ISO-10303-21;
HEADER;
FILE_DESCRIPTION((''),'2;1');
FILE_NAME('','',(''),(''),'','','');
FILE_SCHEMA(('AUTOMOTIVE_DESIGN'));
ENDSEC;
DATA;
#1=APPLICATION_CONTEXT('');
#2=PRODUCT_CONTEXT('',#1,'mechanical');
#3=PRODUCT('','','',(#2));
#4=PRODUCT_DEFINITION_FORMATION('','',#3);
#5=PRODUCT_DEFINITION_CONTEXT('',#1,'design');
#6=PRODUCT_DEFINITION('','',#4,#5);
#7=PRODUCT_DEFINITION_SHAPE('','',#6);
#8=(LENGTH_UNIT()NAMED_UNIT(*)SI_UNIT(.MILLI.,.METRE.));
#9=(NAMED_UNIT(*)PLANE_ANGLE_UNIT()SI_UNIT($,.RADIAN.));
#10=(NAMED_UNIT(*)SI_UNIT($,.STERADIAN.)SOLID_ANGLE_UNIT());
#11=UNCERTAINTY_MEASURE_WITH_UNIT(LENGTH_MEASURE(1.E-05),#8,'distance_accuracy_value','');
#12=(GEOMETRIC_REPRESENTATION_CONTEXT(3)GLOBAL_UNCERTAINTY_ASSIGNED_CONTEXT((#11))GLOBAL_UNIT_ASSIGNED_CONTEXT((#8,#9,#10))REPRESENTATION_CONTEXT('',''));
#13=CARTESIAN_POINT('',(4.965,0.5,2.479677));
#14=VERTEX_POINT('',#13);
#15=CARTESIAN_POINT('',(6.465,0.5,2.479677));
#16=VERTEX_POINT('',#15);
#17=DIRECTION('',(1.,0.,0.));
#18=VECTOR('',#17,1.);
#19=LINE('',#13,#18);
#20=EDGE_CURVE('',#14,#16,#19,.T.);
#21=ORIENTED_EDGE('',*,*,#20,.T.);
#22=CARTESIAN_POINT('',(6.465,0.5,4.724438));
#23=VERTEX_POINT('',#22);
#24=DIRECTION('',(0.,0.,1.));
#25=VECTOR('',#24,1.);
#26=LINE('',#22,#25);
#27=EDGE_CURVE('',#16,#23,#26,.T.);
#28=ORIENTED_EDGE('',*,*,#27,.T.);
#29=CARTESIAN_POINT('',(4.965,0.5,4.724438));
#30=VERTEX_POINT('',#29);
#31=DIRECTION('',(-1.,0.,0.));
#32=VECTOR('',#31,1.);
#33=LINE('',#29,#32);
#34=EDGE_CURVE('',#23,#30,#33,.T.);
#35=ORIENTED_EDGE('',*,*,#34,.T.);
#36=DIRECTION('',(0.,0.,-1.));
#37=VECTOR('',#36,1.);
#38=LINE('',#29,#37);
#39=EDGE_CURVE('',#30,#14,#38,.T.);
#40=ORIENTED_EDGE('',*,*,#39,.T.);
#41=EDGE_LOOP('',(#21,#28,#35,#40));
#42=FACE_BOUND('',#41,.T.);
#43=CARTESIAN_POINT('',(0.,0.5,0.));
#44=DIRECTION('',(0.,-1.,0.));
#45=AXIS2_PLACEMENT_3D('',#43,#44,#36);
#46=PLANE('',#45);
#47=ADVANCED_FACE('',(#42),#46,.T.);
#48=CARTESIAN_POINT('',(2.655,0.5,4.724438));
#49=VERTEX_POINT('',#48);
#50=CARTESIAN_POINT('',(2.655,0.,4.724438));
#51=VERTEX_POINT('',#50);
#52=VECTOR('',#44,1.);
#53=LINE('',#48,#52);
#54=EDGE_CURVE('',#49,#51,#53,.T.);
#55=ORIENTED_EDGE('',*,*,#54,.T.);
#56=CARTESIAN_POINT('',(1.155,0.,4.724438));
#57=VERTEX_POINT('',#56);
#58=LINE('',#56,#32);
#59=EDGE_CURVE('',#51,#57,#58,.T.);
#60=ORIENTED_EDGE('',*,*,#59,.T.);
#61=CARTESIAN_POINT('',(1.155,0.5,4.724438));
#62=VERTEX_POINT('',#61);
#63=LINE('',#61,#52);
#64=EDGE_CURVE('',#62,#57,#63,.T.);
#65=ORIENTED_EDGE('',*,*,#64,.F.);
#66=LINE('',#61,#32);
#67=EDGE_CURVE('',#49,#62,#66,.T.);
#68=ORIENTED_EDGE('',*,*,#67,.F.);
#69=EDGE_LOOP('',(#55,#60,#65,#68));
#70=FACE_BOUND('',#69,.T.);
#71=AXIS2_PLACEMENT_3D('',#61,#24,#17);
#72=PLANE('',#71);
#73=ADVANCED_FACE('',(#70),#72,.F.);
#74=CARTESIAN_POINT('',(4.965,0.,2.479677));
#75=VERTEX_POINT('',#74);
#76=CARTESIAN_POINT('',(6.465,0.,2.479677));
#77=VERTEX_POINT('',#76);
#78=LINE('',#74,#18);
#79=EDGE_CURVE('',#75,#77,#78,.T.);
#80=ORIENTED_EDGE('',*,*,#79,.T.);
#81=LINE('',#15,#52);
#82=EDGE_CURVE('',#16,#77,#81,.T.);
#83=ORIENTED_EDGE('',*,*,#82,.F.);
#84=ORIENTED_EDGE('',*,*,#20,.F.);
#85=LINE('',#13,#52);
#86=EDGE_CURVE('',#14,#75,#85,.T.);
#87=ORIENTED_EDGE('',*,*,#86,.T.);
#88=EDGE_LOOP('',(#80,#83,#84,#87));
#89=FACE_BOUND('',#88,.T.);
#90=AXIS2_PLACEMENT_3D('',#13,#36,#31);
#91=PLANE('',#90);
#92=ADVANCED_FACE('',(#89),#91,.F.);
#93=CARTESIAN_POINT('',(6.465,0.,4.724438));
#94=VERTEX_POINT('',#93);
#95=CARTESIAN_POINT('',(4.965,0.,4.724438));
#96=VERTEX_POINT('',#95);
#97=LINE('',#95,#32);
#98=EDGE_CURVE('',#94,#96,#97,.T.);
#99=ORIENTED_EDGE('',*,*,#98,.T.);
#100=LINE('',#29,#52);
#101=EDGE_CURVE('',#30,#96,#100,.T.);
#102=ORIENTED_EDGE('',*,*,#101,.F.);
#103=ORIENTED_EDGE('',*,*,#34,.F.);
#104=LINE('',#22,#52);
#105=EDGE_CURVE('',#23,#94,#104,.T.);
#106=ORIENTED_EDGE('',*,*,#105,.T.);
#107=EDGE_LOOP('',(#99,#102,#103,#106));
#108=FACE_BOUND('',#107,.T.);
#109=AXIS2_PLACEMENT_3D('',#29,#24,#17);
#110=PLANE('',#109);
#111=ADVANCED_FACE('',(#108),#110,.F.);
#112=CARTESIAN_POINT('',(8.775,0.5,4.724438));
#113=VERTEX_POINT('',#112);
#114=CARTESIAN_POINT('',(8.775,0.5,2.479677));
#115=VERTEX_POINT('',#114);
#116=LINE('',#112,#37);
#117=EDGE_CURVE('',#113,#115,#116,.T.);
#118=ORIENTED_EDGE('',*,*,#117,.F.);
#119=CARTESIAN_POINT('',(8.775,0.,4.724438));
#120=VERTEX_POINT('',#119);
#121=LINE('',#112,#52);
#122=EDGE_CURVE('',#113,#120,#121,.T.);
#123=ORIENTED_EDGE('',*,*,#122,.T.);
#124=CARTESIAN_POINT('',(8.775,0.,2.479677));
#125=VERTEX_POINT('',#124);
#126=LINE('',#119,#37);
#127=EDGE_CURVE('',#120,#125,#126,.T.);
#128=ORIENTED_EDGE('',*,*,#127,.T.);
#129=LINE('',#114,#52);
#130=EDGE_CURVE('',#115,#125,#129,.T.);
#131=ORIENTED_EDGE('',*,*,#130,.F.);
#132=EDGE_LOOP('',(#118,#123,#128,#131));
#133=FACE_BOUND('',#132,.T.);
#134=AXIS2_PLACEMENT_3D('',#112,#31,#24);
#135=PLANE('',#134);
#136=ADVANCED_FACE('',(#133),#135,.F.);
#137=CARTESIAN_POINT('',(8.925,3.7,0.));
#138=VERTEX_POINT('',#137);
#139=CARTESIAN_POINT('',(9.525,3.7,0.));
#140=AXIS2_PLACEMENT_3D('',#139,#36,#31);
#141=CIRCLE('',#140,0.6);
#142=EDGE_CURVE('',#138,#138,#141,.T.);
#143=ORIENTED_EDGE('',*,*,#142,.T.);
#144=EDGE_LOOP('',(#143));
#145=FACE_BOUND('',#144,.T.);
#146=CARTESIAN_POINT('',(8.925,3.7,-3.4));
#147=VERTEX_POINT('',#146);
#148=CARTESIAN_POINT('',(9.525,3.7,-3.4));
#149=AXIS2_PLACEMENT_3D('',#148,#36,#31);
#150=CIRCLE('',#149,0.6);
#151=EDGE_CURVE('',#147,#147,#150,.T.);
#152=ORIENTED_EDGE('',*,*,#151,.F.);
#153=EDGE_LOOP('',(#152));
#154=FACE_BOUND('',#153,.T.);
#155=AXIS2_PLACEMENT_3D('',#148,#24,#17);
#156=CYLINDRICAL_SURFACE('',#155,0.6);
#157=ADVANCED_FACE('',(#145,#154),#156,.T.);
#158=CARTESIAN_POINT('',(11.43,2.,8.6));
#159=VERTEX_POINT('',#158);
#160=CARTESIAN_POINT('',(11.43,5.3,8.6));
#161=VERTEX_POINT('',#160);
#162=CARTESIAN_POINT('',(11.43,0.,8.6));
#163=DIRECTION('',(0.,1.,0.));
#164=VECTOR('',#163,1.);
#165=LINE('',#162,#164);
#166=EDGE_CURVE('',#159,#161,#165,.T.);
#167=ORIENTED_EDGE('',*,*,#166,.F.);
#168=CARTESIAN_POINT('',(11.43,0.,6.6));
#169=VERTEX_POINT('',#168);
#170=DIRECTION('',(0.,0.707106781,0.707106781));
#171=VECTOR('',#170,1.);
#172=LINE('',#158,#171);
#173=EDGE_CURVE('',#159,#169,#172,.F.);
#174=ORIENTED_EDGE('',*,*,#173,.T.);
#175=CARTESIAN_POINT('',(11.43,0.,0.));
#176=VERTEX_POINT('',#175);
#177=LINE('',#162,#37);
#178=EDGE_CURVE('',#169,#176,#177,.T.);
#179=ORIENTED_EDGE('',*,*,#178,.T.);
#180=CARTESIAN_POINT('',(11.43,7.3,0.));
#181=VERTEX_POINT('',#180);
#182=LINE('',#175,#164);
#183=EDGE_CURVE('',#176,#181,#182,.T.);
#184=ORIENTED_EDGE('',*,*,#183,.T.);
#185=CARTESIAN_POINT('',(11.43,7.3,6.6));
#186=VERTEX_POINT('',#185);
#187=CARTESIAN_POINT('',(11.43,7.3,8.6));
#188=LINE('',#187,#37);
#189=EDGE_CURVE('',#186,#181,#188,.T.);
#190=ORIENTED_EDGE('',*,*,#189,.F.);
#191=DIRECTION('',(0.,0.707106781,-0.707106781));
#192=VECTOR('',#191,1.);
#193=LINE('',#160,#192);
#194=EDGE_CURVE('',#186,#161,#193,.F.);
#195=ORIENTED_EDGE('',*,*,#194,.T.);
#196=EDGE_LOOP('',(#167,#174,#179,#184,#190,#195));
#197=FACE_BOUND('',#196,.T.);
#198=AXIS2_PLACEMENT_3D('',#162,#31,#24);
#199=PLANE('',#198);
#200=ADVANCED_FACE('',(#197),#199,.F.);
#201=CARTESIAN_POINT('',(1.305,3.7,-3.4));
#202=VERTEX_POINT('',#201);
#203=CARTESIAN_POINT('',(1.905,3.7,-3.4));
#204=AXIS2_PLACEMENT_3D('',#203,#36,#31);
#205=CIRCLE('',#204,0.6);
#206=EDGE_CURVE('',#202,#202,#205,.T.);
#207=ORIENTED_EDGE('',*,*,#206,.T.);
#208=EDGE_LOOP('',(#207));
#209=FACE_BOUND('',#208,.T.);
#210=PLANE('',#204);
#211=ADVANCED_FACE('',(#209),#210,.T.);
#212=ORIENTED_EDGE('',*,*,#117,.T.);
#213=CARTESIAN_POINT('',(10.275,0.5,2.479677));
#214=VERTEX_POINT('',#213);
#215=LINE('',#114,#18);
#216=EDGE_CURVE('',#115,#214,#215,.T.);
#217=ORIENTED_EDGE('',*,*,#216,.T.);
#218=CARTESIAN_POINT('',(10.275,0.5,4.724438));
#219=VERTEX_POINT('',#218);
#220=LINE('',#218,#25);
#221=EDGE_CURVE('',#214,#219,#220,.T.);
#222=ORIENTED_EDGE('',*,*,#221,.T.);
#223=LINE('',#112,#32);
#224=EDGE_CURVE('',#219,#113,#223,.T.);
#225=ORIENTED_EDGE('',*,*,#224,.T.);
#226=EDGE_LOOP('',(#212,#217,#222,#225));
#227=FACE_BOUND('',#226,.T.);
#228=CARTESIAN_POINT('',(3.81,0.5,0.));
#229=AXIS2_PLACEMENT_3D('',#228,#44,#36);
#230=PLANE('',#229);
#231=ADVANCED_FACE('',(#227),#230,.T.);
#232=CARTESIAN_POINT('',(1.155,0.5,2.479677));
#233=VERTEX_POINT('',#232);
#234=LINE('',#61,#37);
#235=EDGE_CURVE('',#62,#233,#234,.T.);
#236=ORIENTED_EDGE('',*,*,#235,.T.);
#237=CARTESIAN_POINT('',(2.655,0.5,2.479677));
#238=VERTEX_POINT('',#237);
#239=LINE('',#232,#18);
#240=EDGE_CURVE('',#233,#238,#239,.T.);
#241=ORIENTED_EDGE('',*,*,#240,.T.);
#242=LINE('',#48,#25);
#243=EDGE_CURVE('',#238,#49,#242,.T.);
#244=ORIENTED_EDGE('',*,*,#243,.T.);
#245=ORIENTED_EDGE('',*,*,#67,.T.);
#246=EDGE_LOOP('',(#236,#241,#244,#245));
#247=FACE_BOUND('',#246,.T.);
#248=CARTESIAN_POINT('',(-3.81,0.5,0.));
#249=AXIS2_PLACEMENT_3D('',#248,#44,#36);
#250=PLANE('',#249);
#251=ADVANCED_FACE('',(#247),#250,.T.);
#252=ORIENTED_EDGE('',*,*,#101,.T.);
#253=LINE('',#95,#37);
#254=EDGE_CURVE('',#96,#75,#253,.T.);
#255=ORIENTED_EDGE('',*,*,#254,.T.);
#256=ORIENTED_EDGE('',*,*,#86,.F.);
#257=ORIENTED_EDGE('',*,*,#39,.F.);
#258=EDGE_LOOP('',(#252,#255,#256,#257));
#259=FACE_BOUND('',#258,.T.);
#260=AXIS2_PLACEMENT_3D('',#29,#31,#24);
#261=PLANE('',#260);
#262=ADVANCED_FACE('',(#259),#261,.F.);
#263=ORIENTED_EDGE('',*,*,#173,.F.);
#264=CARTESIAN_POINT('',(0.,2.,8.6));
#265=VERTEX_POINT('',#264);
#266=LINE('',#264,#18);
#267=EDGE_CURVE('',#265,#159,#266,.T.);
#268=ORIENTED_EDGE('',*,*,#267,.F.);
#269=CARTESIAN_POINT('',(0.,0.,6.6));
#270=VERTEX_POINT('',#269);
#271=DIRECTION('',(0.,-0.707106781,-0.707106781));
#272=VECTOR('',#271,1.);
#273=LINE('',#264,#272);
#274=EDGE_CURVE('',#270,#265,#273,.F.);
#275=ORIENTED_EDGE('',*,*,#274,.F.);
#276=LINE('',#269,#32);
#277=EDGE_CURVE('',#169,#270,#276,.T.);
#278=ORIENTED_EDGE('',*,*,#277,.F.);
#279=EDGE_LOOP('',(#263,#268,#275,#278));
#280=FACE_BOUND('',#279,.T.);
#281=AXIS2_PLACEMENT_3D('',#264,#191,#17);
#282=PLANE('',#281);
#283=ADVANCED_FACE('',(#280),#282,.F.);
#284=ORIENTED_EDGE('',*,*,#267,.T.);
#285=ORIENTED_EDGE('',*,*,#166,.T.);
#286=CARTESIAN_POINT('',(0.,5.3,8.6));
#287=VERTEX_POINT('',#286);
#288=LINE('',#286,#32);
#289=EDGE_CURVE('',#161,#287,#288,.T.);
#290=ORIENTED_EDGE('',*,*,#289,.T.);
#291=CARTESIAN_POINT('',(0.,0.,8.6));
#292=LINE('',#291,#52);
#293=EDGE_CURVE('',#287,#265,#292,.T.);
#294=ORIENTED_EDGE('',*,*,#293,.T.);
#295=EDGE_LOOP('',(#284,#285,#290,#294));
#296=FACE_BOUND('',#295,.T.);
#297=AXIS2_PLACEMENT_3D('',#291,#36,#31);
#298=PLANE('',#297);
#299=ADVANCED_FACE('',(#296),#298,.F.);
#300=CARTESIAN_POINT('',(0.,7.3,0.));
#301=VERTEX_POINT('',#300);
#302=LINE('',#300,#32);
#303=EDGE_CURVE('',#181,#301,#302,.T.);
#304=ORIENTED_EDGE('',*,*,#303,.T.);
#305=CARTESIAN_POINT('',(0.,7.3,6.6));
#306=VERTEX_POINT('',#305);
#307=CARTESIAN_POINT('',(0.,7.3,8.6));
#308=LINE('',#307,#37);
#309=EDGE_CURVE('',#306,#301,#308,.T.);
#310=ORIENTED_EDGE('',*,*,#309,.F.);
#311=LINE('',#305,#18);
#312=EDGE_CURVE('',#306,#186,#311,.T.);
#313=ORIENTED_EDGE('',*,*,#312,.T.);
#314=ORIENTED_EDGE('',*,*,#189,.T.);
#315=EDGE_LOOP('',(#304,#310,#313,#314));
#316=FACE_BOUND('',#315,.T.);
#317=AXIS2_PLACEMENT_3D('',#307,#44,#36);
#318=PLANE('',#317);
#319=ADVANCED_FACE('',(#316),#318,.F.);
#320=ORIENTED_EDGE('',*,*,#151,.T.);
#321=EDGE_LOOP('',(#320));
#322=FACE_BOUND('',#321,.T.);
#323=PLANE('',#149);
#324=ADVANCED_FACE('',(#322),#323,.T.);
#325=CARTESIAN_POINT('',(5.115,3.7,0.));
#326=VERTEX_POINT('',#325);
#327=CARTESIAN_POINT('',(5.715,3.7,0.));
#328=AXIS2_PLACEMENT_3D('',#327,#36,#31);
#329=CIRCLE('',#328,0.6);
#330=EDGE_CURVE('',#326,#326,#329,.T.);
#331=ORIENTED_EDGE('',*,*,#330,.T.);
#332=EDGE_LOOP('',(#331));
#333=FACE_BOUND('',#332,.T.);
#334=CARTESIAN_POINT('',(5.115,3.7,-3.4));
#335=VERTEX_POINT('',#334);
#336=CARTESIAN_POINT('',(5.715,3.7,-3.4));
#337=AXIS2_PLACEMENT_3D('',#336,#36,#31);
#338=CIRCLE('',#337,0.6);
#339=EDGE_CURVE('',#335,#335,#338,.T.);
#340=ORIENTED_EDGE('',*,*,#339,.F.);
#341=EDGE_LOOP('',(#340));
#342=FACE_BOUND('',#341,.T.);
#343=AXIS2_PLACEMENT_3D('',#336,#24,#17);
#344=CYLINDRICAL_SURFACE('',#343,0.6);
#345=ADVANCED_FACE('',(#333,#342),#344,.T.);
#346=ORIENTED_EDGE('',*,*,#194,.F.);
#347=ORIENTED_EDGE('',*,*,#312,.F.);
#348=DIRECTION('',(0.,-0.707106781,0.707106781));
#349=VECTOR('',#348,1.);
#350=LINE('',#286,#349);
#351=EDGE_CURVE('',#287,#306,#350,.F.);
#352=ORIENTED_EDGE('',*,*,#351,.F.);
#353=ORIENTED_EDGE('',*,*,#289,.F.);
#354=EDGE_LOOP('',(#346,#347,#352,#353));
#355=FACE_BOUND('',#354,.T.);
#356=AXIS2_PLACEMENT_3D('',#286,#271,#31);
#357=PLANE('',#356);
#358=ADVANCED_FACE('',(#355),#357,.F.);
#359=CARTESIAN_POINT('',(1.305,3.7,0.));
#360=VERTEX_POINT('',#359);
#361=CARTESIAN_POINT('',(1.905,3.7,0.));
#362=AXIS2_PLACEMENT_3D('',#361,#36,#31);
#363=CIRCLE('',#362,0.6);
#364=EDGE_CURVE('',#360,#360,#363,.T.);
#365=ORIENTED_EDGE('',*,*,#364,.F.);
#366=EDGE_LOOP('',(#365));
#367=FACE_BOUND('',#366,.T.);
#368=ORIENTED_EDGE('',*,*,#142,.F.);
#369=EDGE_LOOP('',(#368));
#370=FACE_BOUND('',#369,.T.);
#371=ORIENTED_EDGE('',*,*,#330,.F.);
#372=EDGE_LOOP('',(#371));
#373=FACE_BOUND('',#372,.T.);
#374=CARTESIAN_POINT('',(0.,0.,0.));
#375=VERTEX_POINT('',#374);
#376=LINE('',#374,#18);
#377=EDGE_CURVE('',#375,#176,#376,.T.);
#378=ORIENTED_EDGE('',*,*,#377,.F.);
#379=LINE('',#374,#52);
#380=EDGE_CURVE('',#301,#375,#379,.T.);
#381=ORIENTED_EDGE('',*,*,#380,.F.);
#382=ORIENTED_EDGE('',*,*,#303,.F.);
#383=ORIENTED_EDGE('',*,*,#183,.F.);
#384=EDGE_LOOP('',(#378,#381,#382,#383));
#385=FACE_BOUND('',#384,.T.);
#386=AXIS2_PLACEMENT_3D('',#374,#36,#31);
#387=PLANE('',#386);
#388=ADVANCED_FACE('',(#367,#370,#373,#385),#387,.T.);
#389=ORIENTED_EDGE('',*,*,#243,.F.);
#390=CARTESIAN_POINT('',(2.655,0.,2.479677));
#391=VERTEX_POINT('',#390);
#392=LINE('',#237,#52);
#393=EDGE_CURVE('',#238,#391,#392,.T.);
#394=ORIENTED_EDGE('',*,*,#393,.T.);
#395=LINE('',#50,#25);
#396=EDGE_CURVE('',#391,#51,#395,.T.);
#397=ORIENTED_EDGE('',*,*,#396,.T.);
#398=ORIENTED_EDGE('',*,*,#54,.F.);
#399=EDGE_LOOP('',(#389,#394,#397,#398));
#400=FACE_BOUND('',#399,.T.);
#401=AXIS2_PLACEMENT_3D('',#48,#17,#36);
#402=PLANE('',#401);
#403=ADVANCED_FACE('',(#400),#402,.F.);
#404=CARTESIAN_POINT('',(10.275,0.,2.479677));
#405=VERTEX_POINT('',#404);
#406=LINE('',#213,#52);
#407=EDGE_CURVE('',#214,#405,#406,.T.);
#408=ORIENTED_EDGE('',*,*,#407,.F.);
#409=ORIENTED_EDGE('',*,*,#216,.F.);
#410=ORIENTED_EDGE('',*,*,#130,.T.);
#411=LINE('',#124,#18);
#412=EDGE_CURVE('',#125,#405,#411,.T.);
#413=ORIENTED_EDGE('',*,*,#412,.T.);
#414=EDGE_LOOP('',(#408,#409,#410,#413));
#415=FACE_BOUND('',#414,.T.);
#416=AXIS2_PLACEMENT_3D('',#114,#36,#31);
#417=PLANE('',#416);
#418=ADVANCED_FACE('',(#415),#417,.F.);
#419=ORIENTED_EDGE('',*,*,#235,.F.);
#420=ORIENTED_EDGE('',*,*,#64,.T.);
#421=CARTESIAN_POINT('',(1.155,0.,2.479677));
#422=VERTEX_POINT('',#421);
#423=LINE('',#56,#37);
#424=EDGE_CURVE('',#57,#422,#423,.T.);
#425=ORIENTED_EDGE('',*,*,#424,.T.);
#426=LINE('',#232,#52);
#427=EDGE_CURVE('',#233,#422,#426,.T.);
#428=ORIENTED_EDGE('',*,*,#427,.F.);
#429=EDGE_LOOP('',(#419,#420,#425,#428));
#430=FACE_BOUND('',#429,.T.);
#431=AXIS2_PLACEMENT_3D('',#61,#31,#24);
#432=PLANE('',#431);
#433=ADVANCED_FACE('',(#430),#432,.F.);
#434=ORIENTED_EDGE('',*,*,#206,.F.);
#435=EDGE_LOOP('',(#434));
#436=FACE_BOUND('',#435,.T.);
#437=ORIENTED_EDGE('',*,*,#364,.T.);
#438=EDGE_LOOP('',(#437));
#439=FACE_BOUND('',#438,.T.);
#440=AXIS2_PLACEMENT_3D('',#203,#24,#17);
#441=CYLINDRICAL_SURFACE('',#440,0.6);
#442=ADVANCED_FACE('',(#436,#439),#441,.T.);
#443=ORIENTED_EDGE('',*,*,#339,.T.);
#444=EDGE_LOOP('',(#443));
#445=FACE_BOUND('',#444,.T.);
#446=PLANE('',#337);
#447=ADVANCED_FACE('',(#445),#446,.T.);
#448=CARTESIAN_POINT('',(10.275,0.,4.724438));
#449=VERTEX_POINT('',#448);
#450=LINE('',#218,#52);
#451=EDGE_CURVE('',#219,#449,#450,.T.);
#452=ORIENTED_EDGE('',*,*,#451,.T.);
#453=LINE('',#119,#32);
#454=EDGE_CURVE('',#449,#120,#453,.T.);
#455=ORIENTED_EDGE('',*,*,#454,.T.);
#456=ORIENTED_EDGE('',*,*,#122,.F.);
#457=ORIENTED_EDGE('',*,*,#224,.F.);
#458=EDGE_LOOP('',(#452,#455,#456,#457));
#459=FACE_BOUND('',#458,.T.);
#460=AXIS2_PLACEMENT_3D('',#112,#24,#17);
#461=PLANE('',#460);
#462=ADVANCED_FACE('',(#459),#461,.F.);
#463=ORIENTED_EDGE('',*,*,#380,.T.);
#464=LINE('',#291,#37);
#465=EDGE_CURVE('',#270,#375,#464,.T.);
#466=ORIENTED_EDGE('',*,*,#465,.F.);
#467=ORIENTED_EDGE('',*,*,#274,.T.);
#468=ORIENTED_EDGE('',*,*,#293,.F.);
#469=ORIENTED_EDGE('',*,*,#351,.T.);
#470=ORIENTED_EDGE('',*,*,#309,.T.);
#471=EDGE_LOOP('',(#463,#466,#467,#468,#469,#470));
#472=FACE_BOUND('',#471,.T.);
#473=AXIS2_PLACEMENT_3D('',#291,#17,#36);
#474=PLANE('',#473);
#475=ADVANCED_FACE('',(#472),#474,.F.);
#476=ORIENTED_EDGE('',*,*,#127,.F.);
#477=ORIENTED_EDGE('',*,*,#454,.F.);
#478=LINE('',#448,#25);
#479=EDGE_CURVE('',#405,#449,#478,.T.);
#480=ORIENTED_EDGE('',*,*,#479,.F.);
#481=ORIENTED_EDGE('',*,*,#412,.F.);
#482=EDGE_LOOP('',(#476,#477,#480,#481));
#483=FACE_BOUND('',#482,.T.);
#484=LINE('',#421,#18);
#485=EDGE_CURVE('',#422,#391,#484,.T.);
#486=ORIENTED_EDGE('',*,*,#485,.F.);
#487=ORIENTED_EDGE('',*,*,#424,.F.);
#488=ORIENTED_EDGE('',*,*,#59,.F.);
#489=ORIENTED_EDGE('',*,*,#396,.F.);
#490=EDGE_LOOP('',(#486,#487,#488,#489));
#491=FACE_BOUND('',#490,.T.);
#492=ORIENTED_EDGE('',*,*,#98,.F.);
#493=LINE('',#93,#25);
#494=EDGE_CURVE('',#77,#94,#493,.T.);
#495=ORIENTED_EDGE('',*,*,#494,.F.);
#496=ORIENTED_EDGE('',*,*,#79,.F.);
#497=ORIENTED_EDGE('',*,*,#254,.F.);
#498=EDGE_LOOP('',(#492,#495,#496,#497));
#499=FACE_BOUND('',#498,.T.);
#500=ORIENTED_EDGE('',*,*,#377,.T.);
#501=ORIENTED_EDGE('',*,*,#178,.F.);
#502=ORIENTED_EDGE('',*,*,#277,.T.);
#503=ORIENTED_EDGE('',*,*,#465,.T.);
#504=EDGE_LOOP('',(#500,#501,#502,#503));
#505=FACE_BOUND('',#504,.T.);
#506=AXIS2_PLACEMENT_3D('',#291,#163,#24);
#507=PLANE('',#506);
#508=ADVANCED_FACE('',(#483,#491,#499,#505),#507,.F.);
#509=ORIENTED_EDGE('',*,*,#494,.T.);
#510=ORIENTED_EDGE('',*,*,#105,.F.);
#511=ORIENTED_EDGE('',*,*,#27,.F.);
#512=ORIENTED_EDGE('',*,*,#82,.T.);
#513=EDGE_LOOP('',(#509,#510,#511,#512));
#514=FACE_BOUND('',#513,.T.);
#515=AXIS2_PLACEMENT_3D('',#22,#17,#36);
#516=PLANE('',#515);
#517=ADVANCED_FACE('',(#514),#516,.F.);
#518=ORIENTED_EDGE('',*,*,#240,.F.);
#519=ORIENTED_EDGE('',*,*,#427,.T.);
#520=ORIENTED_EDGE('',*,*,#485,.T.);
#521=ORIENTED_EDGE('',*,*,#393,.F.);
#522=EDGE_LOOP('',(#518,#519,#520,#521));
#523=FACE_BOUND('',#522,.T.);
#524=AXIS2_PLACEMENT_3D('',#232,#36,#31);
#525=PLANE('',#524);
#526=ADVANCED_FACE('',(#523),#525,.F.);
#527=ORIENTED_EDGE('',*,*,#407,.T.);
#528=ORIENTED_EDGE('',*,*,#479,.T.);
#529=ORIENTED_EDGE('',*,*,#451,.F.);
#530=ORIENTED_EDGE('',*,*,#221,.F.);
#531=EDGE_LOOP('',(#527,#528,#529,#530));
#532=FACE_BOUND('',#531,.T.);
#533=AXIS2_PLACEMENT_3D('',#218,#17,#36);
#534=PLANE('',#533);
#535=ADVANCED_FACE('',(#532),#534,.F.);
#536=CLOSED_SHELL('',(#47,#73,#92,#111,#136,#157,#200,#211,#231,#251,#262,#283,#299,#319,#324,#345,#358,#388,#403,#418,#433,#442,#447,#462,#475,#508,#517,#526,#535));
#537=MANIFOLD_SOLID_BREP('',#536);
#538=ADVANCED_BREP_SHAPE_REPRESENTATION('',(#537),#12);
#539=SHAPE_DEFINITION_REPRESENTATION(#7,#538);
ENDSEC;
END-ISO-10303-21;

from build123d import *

# Parameters (mm, degrees)
SKETCH_1_W                 = 11.43
SKETCH_1_H                 = 7.3
EXTRUDE_1_DEPTH            = 8.6
CHAMFER_1_SIZE             = 2
SKETCH_2_W                 = 1.5
SKETCH_2_H                 = 2.244760595
CUT_EXTRUDE_1_DEPTH        = 0.5
PATTERN_LINEAR_1_COUNT     = 2
PATTERN_LINEAR_1_PITCH     = 3.81
PATTERN_LINEAR_1_COL_COUNT = 2
PATTERN_LINEAR_1_COL_PITCH = 3.81
SKETCH_3_R                 = 0.6
EXTRUDE_2_DEPTH            = 3.4
PATTERN_LINEAR_2_COUNT     = 2
PATTERN_LINEAR_2_PITCH     = 3.81
PATTERN_LINEAR_2_COL_COUNT = 2
PATTERN_LINEAR_2_COL_PITCH = 3.81
PATTERN_LINEAR_3_COUNT     = 2
PATTERN_LINEAR_3_PITCH     = 3.81


with BuildPart() as part:
    # 草图1 → 凸台-拉伸1 (new body)
    with BuildSketch(Plane.XY):
        with Locations((5.715, 3.65)):
            Rectangle(SKETCH_1_W, SKETCH_1_H)
    extrude(amount=EXTRUDE_1_DEPTH)

    # 倒角1
    chamfer_1_edges = [part.edges().sort_by_distance(p)[0] for p in [
        (5.715, 7.3, 8.6),
        (5.715, 0, 8.6),
    ]]
    chamfer(chamfer_1_edges, length=CHAMFER_1_SIZE)

    # 草图2 → 切除-拉伸1 (cut)
    with BuildSketch(Plane.XZ):
        with Locations((5.715, 3.602057757)):
            Rectangle(SKETCH_2_W, SKETCH_2_H)
    cut_extrude_1 = extrude(amount=-CUT_EXTRUDE_1_DEPTH, mode=Mode.SUBTRACT)

    # 阵列(线性)1: 切除-拉伸1 ×2
    with Locations(*[(i * PATTERN_LINEAR_1_PITCH, 0, 0) for i in range(1, PATTERN_LINEAR_1_COUNT)]):
        add(cut_extrude_1, mode=Mode.SUBTRACT)

    # 阵列(线性)1 col: 切除-拉伸1 ×2
    with Locations(*[(-i * PATTERN_LINEAR_1_COL_PITCH, 0, 0) for i in range(1, PATTERN_LINEAR_1_COL_COUNT)]):
        add(cut_extrude_1, mode=Mode.SUBTRACT)

    # 草图3 → 凸台-拉伸2 (add)
    with BuildSketch(Plane(origin=(0, 0, 0), x_dir=(-1, 0, 0), z_dir=(0, 0, -1))):
        with Locations((-5.715, 3.7)):
            Circle(SKETCH_3_R)
    extrude_2 = extrude(amount=EXTRUDE_2_DEPTH)

    # 阵列(线性)2: 凸台-拉伸2 ×2
    with Locations(*[(-i * PATTERN_LINEAR_2_PITCH, 0, 0) for i in range(1, PATTERN_LINEAR_2_COUNT)]):
        add(extrude_2)

    # 阵列(线性)2 col: 凸台-拉伸2 ×2
    with Locations(*[(i * PATTERN_LINEAR_2_COL_PITCH, 0, 0) for i in range(1, PATTERN_LINEAR_2_COL_COUNT)]):
        add(extrude_2)

    # 阵列(线性)3: 凸台-拉伸2 ×2
    with Locations(*[(-i * PATTERN_LINEAR_3_PITCH, 0, 0) for i in range(1, PATTERN_LINEAR_3_COUNT)]):
        add(extrude_2)


solid = part.part
